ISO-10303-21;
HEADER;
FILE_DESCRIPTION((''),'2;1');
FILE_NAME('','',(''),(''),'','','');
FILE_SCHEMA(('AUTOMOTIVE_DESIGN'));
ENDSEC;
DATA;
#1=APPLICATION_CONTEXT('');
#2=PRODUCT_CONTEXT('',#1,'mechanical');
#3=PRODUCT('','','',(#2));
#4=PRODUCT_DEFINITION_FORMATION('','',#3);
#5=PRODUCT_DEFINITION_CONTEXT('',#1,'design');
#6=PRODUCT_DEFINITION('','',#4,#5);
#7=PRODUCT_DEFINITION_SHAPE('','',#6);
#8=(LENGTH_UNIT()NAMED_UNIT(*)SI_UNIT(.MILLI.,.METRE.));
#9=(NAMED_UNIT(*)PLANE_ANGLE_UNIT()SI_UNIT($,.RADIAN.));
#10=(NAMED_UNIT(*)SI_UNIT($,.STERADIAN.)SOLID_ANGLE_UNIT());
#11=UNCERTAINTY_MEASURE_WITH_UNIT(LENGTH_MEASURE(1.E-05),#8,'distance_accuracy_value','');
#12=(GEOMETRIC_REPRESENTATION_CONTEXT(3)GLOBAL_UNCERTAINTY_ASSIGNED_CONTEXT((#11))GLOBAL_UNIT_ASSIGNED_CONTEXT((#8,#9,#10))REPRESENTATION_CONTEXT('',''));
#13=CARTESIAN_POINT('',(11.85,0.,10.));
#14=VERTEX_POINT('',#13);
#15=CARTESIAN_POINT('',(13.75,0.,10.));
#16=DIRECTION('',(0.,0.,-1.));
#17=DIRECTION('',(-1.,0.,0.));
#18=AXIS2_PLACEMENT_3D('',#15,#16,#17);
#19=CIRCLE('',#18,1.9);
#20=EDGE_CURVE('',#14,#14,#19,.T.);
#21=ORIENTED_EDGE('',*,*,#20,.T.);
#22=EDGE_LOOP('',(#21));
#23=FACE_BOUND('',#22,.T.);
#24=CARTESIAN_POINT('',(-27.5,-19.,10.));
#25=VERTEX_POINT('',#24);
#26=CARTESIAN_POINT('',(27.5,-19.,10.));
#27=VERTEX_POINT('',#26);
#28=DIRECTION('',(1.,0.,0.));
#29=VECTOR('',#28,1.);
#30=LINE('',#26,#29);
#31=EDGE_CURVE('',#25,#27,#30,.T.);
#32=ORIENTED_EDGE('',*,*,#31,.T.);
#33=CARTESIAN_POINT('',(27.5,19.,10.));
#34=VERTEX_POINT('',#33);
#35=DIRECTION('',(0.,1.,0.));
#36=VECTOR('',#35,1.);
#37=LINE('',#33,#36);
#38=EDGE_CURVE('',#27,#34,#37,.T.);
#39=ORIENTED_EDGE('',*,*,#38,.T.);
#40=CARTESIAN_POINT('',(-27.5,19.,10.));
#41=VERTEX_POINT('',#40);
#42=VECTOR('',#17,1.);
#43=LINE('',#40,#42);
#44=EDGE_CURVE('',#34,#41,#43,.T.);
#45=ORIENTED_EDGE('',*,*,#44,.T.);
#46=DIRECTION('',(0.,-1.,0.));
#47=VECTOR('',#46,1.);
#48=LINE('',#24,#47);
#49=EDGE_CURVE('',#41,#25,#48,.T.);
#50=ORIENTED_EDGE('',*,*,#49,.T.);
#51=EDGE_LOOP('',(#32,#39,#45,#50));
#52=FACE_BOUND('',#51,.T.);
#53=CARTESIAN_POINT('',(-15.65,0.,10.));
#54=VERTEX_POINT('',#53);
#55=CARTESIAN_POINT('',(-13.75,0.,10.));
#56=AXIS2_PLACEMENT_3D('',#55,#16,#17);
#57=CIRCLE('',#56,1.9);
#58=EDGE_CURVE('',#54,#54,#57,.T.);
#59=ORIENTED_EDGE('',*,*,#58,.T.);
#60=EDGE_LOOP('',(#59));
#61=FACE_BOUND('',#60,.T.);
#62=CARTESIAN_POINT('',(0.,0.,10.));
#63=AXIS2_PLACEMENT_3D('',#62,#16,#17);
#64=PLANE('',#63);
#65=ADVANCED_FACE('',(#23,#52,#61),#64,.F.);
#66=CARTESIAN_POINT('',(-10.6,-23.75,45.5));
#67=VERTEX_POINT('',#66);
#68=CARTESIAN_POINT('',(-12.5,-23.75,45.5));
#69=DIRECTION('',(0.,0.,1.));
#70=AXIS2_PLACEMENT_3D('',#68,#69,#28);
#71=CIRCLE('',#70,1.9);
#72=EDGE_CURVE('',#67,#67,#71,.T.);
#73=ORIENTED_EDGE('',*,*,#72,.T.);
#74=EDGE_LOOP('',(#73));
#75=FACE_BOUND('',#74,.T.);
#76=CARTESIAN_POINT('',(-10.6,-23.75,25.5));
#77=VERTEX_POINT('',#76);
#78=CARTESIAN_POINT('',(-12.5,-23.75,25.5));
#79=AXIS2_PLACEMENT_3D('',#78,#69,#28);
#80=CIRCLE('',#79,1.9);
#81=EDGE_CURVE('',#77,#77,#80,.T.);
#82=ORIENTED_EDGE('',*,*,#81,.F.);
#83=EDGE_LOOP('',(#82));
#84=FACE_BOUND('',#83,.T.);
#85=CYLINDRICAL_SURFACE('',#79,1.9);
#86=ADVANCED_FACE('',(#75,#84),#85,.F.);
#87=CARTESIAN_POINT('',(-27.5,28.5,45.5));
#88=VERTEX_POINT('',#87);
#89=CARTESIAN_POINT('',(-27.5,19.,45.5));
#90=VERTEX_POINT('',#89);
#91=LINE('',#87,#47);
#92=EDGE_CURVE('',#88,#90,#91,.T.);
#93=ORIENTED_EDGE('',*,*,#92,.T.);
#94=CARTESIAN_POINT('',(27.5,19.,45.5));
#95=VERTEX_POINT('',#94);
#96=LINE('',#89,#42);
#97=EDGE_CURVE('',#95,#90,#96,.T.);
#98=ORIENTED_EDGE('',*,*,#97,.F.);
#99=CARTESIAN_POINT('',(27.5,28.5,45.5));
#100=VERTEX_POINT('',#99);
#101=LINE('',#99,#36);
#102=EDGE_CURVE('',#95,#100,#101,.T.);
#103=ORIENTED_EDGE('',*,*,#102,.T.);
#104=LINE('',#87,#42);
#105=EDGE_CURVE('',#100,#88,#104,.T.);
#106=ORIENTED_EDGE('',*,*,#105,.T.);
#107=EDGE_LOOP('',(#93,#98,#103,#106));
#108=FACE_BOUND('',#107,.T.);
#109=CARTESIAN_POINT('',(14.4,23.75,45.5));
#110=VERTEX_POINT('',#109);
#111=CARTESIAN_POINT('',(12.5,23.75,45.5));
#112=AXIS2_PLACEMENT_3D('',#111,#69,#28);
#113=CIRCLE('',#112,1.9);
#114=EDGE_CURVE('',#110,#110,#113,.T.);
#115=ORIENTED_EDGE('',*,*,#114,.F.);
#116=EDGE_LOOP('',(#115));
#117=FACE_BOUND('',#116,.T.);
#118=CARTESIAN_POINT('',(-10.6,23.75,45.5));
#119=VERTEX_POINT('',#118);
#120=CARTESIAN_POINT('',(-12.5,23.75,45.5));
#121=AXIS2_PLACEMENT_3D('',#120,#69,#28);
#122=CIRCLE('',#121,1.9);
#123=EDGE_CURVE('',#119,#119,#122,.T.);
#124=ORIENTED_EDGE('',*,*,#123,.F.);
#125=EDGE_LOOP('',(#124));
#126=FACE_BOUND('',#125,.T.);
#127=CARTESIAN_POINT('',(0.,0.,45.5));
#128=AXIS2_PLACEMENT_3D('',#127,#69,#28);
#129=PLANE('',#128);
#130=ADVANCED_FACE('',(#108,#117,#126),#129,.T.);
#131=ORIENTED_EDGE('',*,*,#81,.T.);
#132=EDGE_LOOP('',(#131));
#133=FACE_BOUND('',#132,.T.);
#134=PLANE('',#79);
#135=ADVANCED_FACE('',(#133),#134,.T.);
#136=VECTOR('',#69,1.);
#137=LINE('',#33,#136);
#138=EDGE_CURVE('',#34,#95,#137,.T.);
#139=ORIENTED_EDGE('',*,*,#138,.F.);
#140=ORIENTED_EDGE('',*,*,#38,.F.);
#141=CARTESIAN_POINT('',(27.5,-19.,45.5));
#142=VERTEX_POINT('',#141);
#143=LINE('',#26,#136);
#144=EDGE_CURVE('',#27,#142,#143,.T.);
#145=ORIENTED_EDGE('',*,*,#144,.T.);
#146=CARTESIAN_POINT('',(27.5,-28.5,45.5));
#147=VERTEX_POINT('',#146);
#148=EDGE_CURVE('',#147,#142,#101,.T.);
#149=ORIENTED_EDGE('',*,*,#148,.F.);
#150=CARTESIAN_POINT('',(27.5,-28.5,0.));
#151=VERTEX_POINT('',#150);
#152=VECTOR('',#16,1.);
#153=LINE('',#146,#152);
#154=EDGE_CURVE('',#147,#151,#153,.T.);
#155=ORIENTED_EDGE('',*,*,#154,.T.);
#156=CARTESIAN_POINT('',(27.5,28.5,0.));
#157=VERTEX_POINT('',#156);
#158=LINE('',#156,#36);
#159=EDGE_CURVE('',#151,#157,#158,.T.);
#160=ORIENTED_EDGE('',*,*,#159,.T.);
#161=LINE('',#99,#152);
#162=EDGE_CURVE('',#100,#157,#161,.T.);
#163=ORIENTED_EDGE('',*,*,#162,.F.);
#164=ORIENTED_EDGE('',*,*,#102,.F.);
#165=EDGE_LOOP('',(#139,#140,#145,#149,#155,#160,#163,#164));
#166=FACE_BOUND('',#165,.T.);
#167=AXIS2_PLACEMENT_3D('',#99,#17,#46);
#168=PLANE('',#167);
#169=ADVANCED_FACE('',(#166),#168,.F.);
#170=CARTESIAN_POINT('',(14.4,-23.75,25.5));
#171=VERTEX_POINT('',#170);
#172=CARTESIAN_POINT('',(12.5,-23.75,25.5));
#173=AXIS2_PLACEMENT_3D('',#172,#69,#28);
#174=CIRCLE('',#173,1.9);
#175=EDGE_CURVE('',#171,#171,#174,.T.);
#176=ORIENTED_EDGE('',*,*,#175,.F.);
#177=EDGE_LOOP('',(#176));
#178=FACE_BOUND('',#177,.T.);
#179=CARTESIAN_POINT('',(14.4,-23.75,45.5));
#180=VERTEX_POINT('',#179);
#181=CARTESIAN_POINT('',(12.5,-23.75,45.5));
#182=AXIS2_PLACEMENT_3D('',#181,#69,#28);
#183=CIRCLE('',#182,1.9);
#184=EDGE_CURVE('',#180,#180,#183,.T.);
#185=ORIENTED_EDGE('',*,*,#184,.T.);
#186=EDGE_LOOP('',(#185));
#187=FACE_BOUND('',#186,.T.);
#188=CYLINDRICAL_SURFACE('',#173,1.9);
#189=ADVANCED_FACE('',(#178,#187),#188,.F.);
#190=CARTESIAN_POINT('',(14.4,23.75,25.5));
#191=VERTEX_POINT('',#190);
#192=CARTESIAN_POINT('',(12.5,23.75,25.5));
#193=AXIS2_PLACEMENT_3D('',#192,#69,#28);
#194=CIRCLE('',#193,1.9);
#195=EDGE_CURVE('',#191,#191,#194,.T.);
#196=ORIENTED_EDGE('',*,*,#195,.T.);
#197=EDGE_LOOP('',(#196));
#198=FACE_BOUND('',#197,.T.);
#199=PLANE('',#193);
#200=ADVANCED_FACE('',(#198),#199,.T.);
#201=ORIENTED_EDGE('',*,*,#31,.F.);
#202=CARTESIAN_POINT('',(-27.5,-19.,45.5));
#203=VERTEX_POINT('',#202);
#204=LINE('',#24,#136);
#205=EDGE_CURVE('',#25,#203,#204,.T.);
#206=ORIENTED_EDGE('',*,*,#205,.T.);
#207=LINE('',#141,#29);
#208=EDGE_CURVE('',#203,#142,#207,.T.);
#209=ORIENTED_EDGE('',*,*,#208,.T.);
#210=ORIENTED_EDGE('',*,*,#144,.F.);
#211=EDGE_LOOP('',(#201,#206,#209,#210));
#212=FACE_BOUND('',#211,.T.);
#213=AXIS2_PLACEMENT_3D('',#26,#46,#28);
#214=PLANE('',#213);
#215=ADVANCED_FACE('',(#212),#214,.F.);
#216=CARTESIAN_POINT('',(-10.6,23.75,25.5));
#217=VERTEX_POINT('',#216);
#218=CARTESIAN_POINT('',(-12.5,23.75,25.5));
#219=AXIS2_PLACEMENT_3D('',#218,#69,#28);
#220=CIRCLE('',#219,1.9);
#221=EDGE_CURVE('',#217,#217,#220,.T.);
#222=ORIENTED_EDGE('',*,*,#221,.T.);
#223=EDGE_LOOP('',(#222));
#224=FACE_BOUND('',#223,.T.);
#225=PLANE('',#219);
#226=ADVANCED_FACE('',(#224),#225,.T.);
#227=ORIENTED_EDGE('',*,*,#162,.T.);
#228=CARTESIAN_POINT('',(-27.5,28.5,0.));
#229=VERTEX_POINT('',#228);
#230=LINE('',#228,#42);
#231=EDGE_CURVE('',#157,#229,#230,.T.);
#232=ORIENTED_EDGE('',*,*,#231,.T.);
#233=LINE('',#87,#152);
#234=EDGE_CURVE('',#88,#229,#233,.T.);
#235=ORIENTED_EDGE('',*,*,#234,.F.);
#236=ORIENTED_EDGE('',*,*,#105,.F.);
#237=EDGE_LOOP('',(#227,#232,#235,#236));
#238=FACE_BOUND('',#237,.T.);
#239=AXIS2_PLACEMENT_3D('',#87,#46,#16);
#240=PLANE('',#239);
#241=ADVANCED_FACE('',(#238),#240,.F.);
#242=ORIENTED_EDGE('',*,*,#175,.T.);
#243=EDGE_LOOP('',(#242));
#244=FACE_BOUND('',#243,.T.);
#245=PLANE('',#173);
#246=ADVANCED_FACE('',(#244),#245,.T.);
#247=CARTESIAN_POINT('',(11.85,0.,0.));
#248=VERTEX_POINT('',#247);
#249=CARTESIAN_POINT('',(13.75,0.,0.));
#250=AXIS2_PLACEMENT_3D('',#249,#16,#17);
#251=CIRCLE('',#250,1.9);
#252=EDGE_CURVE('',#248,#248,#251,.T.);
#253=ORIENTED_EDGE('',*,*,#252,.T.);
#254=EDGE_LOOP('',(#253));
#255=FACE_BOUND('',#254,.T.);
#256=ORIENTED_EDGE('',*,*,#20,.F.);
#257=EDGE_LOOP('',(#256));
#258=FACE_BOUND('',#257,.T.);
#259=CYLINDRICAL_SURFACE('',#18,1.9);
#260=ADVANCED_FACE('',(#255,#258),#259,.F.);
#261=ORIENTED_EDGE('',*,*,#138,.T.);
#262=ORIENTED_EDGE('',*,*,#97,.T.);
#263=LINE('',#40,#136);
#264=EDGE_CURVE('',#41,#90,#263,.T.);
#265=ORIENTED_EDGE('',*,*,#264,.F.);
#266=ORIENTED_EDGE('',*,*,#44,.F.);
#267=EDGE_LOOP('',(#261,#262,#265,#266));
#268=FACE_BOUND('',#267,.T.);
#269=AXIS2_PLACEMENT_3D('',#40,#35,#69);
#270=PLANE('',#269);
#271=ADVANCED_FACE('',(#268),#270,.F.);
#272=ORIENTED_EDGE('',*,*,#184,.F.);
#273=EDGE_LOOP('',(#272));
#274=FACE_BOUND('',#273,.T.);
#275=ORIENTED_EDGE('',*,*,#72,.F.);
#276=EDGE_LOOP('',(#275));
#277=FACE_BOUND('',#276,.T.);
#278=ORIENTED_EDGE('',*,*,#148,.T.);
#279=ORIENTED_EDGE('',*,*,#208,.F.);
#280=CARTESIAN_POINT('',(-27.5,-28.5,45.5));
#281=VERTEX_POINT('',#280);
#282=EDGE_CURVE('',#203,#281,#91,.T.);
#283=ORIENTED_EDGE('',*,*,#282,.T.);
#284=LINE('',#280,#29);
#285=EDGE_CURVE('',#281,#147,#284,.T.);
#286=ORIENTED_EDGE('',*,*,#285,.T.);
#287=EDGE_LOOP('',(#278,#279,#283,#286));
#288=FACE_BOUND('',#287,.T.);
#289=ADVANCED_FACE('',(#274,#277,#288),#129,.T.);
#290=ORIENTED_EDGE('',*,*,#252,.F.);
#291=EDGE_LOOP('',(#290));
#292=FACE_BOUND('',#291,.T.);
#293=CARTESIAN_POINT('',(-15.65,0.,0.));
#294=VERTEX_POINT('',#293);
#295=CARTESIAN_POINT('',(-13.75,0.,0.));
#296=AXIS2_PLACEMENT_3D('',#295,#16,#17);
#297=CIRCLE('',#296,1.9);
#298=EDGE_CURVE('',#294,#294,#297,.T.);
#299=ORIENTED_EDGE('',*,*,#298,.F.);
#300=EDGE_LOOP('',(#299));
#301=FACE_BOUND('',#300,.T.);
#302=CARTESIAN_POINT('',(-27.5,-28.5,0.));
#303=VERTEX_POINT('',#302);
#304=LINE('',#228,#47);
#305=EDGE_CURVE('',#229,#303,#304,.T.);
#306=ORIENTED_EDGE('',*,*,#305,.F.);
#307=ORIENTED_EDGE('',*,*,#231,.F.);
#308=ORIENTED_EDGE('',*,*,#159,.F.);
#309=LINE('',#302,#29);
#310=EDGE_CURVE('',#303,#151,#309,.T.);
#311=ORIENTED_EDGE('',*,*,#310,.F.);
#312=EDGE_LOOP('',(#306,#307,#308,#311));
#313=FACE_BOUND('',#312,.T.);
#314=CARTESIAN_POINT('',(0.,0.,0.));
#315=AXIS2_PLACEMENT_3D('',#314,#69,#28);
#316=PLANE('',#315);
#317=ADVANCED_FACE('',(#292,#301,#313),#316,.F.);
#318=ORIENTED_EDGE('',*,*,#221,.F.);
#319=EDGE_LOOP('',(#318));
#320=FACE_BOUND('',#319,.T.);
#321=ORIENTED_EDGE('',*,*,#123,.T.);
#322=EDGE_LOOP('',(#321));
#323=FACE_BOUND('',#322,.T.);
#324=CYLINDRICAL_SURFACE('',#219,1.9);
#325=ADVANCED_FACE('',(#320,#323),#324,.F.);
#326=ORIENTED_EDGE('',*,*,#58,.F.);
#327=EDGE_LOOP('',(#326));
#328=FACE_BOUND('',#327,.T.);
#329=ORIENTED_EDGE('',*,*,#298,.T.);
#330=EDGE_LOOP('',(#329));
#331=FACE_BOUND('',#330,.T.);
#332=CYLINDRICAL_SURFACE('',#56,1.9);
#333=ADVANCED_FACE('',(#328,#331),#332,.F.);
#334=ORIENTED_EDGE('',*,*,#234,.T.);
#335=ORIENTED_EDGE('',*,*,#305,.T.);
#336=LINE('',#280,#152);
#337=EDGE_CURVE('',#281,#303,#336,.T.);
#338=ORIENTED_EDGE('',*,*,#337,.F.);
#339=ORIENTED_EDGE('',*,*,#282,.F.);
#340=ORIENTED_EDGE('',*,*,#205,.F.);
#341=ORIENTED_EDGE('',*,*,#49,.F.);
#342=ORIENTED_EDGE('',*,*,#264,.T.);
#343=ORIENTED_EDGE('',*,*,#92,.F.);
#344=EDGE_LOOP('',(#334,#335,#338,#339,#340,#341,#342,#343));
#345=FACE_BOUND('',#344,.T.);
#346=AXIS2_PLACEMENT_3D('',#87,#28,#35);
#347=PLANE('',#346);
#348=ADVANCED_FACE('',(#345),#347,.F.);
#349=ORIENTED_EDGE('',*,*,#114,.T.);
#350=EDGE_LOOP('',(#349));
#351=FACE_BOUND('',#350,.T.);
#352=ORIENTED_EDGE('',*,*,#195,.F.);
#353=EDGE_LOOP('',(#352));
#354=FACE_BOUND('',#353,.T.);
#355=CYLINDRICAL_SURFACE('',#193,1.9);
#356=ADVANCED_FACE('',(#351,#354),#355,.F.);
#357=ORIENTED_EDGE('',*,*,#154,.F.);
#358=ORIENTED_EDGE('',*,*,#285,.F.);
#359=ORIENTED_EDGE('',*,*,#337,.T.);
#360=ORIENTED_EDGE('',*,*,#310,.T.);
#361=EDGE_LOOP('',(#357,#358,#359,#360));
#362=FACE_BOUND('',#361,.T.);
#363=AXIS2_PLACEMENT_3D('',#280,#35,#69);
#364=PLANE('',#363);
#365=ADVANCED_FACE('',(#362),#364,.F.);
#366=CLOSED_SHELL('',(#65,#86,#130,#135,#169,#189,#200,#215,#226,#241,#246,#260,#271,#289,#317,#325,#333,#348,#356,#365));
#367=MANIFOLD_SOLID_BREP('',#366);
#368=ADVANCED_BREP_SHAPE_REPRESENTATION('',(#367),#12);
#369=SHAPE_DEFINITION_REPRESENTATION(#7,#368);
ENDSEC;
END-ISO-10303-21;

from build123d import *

# Parameters (mm, degrees)
SKETCH1_W           = 55
SKETCH1_H           = 57
BOSS_EXTRUDE1_DEPTH = 45.5
SKETCH2_W           = 55
SKETCH2_H           = 38
CUT_EXTRUDE1_DEPTH  = 35.5
SKETCH3_R           = 1.9
CUT_EXTRUDE2_DEPTH  = 10
SKETCH4_R           = 1.9
CUT_EXTRUDE3_DEPTH  = 20


with BuildPart() as part:
    # Sketch1 → Boss-Extrude1 (new body)
    with BuildSketch(Plane.XY):
        Rectangle(SKETCH1_W, SKETCH1_H)
    extrude(amount=BOSS_EXTRUDE1_DEPTH)

    # Sketch2 → Cut-Extrude1 (cut)
    with BuildSketch(Plane.XY.offset(45.5)):
        Rectangle(SKETCH2_W, SKETCH2_H)
    extrude(amount=-CUT_EXTRUDE1_DEPTH, mode=Mode.SUBTRACT)

    # Sketch3 → Cut-Extrude2 (cut)
    with BuildSketch(Plane(origin=(0, 0, 0), x_dir=(-1, 0, 0), z_dir=(0, 0, -1))):
        with Locations((-13.75, 0)):
            Circle(SKETCH3_R)
        with Locations((13.75, 0)):
            Circle(SKETCH3_R)
    extrude(amount=-CUT_EXTRUDE2_DEPTH, mode=Mode.SUBTRACT)

    # Sketch4 → Cut-Extrude3 (cut)
    with BuildSketch(Plane.XY.offset(45.5)):
        with Locations((-12.5, 23.75)):
            Circle(SKETCH4_R)
        with Locations((12.5, 23.75)):
            Circle(SKETCH4_R)
        with Locations((-12.5, -23.75)):
            Circle(SKETCH4_R)
        with Locations((12.5, -23.75)):
            Circle(SKETCH4_R)
    extrude(amount=-CUT_EXTRUDE3_DEPTH, mode=Mode.SUBTRACT)


solid = part.part
